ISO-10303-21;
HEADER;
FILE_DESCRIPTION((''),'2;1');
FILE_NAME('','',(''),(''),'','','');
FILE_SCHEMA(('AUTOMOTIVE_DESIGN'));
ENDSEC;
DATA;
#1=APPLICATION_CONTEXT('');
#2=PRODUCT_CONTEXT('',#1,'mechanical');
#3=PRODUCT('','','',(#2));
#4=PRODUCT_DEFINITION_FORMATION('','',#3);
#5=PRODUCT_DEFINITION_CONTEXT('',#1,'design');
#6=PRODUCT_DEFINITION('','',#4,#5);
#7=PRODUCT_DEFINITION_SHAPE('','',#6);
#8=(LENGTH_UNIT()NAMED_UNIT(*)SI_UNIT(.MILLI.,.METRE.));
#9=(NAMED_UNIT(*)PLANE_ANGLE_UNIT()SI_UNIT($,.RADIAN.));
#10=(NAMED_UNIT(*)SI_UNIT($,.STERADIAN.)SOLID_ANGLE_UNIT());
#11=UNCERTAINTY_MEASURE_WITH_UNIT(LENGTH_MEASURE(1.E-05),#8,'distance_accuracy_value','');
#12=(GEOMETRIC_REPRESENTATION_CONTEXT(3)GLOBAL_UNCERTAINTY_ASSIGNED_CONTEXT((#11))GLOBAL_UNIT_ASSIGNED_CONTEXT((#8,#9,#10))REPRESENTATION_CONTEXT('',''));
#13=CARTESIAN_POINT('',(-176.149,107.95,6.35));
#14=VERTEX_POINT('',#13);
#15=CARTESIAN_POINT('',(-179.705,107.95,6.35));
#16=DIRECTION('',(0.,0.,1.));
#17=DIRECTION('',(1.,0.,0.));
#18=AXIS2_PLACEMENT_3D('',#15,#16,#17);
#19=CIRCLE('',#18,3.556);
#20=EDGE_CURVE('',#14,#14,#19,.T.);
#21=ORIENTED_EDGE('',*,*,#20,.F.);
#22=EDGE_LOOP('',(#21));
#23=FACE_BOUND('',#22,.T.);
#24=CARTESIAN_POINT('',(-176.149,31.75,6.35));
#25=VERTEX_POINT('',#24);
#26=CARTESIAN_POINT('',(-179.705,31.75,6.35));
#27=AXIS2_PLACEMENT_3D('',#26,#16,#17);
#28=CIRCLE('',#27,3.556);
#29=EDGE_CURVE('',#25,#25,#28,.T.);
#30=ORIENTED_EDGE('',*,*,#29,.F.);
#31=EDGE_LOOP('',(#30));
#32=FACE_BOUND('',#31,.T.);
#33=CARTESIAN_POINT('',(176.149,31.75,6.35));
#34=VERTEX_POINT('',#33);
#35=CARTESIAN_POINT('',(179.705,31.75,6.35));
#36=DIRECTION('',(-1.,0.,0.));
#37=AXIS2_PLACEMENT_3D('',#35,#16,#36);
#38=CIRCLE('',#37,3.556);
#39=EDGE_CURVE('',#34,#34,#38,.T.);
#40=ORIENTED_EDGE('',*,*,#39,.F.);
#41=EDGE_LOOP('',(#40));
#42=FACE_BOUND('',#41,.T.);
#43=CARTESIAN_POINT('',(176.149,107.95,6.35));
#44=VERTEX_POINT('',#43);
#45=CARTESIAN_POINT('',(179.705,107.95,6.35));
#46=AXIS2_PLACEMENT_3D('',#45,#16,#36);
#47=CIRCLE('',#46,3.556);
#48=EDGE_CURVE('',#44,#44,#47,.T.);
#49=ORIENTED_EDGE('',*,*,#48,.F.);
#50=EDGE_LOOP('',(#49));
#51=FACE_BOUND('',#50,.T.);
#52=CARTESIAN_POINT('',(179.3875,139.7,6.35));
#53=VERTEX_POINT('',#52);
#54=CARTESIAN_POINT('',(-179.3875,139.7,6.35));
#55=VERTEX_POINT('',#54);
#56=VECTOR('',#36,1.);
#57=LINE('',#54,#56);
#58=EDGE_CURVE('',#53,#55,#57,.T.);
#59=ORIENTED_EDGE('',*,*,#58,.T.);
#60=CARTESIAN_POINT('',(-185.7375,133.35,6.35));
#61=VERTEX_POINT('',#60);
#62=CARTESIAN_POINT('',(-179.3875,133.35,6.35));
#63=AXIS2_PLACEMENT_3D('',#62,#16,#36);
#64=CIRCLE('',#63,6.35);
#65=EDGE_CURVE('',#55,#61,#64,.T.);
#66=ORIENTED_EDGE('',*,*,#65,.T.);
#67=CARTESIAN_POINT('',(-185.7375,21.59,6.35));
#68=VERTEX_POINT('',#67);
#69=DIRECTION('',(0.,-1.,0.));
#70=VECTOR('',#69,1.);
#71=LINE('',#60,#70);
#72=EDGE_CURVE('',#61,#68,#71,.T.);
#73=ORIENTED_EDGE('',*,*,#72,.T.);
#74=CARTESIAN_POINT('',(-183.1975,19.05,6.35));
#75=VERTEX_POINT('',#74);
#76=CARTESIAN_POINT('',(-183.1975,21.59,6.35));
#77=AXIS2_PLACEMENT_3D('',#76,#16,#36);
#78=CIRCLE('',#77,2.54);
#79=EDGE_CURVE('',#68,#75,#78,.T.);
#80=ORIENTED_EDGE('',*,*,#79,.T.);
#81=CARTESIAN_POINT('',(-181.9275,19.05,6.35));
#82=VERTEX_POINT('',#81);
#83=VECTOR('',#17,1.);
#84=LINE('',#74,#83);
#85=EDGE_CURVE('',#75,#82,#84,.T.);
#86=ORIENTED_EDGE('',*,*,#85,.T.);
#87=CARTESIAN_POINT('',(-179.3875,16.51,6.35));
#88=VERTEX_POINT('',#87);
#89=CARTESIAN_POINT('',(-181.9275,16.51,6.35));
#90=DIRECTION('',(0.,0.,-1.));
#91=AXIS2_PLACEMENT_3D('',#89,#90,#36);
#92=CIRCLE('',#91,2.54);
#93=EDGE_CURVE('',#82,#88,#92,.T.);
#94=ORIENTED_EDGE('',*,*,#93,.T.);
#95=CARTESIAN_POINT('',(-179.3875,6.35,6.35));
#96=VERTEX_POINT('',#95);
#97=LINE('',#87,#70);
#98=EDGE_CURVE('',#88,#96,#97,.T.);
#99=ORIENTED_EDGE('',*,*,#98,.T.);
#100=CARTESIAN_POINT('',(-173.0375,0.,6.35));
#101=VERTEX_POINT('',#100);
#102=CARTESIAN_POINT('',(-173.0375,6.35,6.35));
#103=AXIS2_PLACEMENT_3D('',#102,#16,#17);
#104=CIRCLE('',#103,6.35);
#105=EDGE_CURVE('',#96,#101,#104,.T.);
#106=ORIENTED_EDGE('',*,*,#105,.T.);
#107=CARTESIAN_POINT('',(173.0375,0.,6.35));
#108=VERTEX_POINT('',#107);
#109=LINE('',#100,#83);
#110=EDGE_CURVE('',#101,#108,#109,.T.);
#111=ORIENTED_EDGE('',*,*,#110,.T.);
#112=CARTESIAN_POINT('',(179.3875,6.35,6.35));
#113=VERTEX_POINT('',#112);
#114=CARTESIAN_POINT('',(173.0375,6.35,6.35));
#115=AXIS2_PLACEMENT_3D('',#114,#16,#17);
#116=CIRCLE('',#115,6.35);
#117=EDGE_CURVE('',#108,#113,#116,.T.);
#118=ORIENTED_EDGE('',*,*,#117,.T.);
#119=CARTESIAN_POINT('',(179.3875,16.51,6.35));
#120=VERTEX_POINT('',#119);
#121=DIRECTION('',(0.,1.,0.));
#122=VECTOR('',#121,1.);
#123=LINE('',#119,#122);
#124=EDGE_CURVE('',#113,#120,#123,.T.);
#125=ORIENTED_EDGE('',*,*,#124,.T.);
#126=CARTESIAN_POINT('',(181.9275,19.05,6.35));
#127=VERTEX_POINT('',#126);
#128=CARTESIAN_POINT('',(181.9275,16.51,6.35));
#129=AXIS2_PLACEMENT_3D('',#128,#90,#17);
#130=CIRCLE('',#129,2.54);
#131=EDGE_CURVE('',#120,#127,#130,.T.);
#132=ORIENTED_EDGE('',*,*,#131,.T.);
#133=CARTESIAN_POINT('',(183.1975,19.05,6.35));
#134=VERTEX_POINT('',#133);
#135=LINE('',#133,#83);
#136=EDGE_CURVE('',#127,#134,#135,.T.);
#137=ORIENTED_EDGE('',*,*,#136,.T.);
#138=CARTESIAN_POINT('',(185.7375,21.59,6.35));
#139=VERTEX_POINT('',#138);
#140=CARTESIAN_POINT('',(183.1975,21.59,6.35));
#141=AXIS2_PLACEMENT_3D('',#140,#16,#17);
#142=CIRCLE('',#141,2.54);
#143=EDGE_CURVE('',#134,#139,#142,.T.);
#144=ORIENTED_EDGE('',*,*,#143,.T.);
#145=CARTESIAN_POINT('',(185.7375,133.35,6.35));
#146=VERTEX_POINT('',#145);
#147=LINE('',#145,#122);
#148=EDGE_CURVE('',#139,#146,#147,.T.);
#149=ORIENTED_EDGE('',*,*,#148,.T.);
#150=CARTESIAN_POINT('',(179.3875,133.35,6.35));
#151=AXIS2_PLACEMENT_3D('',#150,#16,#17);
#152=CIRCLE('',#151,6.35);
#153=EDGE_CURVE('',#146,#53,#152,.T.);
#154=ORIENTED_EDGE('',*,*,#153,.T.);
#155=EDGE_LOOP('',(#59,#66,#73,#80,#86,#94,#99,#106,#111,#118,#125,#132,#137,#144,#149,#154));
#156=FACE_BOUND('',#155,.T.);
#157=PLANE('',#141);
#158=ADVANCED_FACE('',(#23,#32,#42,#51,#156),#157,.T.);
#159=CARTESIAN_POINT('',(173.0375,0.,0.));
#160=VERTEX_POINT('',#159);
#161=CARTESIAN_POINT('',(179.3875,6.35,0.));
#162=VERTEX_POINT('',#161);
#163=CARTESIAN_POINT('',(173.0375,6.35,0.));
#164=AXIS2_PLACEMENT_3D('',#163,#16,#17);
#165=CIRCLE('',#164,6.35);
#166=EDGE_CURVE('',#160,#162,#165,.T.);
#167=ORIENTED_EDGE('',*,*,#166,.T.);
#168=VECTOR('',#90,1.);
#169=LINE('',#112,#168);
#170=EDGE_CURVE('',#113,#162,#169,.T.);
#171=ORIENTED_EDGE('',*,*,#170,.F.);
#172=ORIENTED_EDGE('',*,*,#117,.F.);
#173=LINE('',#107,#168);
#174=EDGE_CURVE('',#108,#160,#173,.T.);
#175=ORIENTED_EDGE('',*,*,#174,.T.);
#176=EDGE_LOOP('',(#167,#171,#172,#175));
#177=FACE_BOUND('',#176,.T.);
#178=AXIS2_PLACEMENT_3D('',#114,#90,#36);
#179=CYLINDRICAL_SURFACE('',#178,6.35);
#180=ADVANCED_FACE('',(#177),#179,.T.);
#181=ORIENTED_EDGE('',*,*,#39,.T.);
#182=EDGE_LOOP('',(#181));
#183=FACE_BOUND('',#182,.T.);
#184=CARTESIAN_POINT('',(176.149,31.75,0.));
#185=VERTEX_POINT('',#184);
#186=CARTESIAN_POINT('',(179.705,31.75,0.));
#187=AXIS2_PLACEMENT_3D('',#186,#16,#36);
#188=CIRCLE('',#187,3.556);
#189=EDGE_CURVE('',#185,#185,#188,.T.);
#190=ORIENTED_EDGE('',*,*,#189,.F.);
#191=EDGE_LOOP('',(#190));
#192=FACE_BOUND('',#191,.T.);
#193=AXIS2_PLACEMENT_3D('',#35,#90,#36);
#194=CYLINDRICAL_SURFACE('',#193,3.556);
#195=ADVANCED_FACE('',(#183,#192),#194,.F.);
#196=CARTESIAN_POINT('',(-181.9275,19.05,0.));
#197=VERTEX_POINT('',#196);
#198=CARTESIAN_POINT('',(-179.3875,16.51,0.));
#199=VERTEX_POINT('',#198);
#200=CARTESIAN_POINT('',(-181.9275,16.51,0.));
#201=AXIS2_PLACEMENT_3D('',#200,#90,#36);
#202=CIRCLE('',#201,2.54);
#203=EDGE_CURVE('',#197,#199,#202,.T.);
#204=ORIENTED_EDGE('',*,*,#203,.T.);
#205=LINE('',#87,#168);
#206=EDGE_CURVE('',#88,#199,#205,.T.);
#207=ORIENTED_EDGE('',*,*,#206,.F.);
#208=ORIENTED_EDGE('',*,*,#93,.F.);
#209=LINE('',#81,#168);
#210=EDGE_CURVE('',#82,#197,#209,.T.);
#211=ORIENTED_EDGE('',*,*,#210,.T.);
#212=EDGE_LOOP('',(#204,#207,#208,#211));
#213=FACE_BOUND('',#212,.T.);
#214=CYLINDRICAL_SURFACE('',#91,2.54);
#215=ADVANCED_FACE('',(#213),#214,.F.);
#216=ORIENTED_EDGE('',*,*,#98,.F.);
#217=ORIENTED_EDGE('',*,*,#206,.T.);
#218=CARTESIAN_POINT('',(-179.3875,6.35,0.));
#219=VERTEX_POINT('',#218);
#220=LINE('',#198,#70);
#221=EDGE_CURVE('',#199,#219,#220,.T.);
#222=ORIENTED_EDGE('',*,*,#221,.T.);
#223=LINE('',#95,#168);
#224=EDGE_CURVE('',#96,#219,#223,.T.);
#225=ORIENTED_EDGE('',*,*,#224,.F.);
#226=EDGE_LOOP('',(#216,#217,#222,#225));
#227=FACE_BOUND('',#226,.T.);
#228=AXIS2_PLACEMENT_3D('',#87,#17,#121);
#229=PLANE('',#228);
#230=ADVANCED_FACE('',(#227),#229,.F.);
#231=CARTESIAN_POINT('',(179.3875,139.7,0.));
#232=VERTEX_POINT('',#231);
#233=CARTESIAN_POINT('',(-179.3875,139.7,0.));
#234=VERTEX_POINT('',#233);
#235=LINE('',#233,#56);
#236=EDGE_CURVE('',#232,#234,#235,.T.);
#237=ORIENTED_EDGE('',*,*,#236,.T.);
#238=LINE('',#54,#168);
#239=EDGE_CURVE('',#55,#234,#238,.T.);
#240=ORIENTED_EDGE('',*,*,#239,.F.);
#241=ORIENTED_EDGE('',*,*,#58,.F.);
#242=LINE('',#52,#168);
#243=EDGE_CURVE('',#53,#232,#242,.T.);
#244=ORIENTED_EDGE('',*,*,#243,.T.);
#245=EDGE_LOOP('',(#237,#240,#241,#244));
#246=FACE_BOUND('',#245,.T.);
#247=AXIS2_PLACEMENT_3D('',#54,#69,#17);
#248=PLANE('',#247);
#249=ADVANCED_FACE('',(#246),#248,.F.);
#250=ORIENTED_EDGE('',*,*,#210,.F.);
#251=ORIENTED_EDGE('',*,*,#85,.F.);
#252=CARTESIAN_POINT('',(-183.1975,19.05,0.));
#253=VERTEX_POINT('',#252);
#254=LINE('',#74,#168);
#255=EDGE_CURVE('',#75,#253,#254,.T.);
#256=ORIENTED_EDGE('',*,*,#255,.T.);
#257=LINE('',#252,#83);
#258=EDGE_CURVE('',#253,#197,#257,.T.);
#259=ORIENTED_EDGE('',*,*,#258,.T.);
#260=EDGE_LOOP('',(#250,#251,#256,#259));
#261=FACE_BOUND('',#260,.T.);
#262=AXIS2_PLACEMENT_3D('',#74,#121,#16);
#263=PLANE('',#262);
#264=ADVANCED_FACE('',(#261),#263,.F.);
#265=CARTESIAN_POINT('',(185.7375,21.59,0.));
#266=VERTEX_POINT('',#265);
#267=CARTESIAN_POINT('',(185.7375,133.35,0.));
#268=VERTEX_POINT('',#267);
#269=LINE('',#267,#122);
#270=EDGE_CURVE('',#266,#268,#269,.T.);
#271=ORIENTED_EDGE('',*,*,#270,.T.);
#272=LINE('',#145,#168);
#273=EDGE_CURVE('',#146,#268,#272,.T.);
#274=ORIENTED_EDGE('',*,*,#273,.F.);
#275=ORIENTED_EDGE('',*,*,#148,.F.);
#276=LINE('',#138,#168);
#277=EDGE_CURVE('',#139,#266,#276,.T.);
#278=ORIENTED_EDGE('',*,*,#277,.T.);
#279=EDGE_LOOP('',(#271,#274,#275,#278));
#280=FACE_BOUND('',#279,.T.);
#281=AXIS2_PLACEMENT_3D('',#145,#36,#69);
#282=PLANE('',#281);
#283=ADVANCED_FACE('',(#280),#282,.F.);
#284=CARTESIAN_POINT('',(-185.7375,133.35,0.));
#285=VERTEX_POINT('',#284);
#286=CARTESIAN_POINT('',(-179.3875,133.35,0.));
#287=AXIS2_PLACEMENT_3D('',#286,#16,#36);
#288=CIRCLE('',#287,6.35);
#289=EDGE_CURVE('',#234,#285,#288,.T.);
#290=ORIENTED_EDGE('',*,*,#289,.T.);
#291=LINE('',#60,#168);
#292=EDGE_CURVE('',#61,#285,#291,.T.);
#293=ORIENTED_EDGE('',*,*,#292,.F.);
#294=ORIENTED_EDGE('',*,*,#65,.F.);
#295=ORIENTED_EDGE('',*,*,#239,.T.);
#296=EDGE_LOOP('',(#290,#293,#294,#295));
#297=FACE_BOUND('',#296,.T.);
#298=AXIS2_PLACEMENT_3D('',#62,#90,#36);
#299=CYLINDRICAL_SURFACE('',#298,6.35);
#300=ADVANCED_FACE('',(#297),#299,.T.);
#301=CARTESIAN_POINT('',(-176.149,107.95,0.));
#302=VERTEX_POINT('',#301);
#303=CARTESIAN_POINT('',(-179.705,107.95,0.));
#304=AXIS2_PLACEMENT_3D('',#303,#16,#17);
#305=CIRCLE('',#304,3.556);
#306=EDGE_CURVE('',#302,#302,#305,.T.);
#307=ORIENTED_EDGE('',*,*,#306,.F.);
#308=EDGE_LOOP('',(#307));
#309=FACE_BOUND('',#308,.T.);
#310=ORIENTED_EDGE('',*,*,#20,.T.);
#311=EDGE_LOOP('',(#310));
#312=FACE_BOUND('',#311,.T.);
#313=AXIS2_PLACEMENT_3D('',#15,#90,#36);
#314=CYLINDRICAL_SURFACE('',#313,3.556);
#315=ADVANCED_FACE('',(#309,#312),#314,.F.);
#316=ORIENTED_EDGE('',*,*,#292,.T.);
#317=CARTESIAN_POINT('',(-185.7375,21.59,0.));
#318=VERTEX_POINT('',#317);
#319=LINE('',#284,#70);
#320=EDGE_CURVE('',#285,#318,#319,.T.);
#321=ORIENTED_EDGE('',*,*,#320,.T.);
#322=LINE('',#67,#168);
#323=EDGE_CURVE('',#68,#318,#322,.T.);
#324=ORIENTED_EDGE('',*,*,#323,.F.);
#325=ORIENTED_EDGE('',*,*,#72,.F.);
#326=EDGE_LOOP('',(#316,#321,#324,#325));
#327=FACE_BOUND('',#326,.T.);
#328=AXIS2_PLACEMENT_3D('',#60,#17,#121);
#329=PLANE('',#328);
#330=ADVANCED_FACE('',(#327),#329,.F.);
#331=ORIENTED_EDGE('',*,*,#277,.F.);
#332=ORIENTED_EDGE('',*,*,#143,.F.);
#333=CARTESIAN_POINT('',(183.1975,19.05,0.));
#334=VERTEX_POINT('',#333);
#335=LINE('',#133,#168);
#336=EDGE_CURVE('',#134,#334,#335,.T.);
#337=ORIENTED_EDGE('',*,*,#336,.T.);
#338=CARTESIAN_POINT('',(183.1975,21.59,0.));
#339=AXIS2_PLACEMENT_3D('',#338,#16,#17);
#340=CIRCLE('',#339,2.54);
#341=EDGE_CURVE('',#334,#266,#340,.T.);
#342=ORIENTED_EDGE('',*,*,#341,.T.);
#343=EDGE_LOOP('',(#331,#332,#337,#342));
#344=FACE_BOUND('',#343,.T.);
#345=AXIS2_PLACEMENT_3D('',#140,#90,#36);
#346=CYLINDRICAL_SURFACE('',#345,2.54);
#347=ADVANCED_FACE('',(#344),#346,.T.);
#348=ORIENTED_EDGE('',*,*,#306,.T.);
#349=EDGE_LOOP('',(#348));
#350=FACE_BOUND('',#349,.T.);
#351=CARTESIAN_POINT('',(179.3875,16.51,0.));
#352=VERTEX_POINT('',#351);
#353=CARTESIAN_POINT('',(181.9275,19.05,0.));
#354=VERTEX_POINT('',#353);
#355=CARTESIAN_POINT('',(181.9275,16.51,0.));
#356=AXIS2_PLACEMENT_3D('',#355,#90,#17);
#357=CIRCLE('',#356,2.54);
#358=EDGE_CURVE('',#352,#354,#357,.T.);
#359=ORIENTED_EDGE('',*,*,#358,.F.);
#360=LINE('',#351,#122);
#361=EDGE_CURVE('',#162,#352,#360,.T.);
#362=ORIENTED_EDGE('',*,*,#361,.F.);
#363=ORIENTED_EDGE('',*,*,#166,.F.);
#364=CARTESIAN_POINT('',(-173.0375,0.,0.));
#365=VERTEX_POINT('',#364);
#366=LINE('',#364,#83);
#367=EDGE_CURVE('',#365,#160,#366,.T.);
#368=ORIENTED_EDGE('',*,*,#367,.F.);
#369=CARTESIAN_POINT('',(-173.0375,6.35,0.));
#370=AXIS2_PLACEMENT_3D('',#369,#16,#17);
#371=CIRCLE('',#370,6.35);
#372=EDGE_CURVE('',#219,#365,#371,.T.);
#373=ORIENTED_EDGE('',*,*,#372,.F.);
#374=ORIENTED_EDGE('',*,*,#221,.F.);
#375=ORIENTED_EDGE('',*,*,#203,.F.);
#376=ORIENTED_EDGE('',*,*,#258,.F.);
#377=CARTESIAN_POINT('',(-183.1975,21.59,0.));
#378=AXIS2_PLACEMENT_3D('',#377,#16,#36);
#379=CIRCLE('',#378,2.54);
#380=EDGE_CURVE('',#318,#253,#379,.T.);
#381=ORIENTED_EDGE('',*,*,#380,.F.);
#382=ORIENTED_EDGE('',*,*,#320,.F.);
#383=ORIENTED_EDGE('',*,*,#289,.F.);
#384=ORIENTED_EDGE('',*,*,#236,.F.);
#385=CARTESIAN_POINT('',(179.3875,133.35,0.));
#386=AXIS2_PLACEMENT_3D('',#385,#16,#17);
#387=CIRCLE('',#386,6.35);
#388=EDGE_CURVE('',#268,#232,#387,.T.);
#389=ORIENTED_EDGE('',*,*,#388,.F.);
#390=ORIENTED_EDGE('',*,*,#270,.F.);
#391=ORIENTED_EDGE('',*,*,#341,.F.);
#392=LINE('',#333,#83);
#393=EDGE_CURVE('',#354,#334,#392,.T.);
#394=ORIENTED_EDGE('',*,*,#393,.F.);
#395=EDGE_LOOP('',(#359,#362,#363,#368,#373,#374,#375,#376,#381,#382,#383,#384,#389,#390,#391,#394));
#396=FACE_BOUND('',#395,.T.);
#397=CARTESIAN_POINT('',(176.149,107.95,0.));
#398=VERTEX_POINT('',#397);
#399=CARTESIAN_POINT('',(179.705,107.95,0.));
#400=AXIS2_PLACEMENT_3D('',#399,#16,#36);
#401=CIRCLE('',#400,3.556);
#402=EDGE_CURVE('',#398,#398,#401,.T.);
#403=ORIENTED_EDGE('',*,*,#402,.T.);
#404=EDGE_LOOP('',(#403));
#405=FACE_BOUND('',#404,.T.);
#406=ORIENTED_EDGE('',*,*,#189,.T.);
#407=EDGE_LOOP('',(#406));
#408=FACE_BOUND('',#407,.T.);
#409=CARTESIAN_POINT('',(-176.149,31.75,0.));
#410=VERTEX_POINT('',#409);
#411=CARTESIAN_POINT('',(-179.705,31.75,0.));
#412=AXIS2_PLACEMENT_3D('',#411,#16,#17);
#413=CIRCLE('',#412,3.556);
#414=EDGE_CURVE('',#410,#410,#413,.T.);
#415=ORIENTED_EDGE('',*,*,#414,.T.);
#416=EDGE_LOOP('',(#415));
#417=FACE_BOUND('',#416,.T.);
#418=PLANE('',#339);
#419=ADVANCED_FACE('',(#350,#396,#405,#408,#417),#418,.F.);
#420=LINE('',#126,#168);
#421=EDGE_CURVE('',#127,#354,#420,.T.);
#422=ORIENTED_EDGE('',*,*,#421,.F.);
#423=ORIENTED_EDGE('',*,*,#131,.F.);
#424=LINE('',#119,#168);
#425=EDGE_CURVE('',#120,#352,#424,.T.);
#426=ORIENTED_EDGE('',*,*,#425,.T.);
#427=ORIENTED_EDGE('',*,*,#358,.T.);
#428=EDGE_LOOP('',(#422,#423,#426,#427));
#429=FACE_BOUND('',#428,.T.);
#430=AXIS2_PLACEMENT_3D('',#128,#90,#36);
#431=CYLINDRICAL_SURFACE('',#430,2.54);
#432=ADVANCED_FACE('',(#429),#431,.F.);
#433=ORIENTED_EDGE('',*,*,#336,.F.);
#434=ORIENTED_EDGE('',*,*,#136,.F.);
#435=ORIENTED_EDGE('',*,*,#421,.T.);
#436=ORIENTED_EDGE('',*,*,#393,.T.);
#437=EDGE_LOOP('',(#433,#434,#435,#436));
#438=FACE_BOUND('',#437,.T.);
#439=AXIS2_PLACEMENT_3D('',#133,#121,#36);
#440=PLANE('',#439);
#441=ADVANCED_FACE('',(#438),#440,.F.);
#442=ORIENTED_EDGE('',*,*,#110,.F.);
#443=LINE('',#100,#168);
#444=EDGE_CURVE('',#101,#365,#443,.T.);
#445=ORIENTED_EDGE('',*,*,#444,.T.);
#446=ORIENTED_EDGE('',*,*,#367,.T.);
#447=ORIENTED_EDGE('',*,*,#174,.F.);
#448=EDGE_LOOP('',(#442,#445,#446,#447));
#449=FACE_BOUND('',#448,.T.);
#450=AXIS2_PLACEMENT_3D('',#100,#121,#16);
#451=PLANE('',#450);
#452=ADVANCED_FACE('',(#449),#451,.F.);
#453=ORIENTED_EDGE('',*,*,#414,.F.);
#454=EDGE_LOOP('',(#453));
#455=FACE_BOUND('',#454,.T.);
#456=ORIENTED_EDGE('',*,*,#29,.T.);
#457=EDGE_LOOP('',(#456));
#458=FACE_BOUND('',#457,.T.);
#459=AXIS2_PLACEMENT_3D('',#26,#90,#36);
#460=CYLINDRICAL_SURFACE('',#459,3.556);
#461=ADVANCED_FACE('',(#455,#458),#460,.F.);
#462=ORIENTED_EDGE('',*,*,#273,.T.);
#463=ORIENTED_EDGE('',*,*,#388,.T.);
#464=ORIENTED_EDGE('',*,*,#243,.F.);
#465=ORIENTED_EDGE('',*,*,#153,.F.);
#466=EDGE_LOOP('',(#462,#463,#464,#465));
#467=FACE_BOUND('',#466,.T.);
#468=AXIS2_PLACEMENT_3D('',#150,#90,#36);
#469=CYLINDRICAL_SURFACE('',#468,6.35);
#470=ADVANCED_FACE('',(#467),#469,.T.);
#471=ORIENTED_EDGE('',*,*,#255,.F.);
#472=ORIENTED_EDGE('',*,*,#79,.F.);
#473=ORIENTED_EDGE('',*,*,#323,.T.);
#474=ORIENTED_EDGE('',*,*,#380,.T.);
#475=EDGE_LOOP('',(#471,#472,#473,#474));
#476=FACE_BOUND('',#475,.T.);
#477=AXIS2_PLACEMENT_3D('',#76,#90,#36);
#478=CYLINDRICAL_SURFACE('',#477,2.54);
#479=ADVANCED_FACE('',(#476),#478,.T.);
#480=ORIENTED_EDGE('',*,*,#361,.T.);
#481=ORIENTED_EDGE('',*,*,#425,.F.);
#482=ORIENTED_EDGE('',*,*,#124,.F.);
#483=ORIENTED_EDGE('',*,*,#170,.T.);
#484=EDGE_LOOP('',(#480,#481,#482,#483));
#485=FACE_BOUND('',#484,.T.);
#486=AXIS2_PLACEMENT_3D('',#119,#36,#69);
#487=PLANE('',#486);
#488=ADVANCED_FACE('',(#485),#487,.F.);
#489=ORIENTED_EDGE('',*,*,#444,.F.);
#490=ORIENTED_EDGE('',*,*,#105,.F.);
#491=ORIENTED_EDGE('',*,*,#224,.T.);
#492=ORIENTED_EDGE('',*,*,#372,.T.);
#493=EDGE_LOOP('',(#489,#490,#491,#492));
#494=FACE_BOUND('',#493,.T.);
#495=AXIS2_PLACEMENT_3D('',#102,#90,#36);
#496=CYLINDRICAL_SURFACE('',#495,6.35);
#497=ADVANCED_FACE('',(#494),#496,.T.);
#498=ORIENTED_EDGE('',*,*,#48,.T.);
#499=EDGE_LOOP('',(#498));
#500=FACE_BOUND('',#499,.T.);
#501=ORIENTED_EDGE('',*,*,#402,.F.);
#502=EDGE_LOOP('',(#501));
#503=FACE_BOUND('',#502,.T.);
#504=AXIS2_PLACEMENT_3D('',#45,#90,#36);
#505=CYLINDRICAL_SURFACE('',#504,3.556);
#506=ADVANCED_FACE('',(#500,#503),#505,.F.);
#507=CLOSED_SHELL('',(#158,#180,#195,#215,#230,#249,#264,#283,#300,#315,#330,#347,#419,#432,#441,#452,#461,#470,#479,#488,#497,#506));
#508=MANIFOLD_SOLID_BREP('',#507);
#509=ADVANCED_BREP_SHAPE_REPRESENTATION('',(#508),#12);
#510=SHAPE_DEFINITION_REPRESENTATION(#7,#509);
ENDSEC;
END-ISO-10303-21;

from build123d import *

# Parameters (mm, degrees)
SKETCH1_R           = 3.556
BOSS_EXTRUDE1_DEPTH = 6.35


with BuildPart() as part:
    # Sketch1 → Boss-Extrude1 (new body)
    with BuildSketch(Plane.XY):
        with BuildLine():
            Line((-185.7375, 133.35), (-185.7375, 21.59))
            ThreePointArc((-185.7375, 21.59), (-184.993551224, 19.793948776), (-183.1975, 19.05))
            Line((-183.1975, 19.05), (-181.9275, 19.05))
            ThreePointArc((-181.9275, 19.05), (-180.131448776, 18.306051224), (-179.3875, 16.51))
            Line((-179.3875, 16.51), (-179.3875, 6.35))
            ThreePointArc((-179.3875, 6.35), (-177.527628061, 1.859871939), (-173.0375, 0))
            Line((-173.0375, 0), (173.0375, 0))
            ThreePointArc((173.0375, 0), (177.527628061, 1.859871939), (179.3875, 6.35))
            Line((179.3875, 6.35), (179.3875, 16.51))
            ThreePointArc((179.3875, 16.51), (180.131448776, 18.306051224), (181.9275, 19.05))
            Line((181.9275, 19.05), (183.1975, 19.05))
            ThreePointArc((183.1975, 19.05), (184.993551224, 19.793948776), (185.7375, 21.59))
            Line((185.7375, 21.59), (185.7375, 133.35))
            ThreePointArc((185.7375, 133.35), (183.877628061, 137.840128061), (179.3875, 139.7))
            Line((179.3875, 139.7), (-179.3875, 139.7))
            ThreePointArc((-179.3875, 139.7), (-183.877628061, 137.840128061), (-185.7375, 133.35))
        make_face()
        with Locations((-179.705, 31.75)):
            Circle(SKETCH1_R, mode=Mode.SUBTRACT)
        with Locations((-179.705, 107.95)):
            Circle(SKETCH1_R, mode=Mode.SUBTRACT)
        with Locations((179.705, 107.95)):
            Circle(SKETCH1_R, mode=Mode.SUBTRACT)
        with Locations((179.705, 31.75)):
            Circle(SKETCH1_R, mode=Mode.SUBTRACT)
    extrude(amount=BOSS_EXTRUDE1_DEPTH)


solid = part.part
